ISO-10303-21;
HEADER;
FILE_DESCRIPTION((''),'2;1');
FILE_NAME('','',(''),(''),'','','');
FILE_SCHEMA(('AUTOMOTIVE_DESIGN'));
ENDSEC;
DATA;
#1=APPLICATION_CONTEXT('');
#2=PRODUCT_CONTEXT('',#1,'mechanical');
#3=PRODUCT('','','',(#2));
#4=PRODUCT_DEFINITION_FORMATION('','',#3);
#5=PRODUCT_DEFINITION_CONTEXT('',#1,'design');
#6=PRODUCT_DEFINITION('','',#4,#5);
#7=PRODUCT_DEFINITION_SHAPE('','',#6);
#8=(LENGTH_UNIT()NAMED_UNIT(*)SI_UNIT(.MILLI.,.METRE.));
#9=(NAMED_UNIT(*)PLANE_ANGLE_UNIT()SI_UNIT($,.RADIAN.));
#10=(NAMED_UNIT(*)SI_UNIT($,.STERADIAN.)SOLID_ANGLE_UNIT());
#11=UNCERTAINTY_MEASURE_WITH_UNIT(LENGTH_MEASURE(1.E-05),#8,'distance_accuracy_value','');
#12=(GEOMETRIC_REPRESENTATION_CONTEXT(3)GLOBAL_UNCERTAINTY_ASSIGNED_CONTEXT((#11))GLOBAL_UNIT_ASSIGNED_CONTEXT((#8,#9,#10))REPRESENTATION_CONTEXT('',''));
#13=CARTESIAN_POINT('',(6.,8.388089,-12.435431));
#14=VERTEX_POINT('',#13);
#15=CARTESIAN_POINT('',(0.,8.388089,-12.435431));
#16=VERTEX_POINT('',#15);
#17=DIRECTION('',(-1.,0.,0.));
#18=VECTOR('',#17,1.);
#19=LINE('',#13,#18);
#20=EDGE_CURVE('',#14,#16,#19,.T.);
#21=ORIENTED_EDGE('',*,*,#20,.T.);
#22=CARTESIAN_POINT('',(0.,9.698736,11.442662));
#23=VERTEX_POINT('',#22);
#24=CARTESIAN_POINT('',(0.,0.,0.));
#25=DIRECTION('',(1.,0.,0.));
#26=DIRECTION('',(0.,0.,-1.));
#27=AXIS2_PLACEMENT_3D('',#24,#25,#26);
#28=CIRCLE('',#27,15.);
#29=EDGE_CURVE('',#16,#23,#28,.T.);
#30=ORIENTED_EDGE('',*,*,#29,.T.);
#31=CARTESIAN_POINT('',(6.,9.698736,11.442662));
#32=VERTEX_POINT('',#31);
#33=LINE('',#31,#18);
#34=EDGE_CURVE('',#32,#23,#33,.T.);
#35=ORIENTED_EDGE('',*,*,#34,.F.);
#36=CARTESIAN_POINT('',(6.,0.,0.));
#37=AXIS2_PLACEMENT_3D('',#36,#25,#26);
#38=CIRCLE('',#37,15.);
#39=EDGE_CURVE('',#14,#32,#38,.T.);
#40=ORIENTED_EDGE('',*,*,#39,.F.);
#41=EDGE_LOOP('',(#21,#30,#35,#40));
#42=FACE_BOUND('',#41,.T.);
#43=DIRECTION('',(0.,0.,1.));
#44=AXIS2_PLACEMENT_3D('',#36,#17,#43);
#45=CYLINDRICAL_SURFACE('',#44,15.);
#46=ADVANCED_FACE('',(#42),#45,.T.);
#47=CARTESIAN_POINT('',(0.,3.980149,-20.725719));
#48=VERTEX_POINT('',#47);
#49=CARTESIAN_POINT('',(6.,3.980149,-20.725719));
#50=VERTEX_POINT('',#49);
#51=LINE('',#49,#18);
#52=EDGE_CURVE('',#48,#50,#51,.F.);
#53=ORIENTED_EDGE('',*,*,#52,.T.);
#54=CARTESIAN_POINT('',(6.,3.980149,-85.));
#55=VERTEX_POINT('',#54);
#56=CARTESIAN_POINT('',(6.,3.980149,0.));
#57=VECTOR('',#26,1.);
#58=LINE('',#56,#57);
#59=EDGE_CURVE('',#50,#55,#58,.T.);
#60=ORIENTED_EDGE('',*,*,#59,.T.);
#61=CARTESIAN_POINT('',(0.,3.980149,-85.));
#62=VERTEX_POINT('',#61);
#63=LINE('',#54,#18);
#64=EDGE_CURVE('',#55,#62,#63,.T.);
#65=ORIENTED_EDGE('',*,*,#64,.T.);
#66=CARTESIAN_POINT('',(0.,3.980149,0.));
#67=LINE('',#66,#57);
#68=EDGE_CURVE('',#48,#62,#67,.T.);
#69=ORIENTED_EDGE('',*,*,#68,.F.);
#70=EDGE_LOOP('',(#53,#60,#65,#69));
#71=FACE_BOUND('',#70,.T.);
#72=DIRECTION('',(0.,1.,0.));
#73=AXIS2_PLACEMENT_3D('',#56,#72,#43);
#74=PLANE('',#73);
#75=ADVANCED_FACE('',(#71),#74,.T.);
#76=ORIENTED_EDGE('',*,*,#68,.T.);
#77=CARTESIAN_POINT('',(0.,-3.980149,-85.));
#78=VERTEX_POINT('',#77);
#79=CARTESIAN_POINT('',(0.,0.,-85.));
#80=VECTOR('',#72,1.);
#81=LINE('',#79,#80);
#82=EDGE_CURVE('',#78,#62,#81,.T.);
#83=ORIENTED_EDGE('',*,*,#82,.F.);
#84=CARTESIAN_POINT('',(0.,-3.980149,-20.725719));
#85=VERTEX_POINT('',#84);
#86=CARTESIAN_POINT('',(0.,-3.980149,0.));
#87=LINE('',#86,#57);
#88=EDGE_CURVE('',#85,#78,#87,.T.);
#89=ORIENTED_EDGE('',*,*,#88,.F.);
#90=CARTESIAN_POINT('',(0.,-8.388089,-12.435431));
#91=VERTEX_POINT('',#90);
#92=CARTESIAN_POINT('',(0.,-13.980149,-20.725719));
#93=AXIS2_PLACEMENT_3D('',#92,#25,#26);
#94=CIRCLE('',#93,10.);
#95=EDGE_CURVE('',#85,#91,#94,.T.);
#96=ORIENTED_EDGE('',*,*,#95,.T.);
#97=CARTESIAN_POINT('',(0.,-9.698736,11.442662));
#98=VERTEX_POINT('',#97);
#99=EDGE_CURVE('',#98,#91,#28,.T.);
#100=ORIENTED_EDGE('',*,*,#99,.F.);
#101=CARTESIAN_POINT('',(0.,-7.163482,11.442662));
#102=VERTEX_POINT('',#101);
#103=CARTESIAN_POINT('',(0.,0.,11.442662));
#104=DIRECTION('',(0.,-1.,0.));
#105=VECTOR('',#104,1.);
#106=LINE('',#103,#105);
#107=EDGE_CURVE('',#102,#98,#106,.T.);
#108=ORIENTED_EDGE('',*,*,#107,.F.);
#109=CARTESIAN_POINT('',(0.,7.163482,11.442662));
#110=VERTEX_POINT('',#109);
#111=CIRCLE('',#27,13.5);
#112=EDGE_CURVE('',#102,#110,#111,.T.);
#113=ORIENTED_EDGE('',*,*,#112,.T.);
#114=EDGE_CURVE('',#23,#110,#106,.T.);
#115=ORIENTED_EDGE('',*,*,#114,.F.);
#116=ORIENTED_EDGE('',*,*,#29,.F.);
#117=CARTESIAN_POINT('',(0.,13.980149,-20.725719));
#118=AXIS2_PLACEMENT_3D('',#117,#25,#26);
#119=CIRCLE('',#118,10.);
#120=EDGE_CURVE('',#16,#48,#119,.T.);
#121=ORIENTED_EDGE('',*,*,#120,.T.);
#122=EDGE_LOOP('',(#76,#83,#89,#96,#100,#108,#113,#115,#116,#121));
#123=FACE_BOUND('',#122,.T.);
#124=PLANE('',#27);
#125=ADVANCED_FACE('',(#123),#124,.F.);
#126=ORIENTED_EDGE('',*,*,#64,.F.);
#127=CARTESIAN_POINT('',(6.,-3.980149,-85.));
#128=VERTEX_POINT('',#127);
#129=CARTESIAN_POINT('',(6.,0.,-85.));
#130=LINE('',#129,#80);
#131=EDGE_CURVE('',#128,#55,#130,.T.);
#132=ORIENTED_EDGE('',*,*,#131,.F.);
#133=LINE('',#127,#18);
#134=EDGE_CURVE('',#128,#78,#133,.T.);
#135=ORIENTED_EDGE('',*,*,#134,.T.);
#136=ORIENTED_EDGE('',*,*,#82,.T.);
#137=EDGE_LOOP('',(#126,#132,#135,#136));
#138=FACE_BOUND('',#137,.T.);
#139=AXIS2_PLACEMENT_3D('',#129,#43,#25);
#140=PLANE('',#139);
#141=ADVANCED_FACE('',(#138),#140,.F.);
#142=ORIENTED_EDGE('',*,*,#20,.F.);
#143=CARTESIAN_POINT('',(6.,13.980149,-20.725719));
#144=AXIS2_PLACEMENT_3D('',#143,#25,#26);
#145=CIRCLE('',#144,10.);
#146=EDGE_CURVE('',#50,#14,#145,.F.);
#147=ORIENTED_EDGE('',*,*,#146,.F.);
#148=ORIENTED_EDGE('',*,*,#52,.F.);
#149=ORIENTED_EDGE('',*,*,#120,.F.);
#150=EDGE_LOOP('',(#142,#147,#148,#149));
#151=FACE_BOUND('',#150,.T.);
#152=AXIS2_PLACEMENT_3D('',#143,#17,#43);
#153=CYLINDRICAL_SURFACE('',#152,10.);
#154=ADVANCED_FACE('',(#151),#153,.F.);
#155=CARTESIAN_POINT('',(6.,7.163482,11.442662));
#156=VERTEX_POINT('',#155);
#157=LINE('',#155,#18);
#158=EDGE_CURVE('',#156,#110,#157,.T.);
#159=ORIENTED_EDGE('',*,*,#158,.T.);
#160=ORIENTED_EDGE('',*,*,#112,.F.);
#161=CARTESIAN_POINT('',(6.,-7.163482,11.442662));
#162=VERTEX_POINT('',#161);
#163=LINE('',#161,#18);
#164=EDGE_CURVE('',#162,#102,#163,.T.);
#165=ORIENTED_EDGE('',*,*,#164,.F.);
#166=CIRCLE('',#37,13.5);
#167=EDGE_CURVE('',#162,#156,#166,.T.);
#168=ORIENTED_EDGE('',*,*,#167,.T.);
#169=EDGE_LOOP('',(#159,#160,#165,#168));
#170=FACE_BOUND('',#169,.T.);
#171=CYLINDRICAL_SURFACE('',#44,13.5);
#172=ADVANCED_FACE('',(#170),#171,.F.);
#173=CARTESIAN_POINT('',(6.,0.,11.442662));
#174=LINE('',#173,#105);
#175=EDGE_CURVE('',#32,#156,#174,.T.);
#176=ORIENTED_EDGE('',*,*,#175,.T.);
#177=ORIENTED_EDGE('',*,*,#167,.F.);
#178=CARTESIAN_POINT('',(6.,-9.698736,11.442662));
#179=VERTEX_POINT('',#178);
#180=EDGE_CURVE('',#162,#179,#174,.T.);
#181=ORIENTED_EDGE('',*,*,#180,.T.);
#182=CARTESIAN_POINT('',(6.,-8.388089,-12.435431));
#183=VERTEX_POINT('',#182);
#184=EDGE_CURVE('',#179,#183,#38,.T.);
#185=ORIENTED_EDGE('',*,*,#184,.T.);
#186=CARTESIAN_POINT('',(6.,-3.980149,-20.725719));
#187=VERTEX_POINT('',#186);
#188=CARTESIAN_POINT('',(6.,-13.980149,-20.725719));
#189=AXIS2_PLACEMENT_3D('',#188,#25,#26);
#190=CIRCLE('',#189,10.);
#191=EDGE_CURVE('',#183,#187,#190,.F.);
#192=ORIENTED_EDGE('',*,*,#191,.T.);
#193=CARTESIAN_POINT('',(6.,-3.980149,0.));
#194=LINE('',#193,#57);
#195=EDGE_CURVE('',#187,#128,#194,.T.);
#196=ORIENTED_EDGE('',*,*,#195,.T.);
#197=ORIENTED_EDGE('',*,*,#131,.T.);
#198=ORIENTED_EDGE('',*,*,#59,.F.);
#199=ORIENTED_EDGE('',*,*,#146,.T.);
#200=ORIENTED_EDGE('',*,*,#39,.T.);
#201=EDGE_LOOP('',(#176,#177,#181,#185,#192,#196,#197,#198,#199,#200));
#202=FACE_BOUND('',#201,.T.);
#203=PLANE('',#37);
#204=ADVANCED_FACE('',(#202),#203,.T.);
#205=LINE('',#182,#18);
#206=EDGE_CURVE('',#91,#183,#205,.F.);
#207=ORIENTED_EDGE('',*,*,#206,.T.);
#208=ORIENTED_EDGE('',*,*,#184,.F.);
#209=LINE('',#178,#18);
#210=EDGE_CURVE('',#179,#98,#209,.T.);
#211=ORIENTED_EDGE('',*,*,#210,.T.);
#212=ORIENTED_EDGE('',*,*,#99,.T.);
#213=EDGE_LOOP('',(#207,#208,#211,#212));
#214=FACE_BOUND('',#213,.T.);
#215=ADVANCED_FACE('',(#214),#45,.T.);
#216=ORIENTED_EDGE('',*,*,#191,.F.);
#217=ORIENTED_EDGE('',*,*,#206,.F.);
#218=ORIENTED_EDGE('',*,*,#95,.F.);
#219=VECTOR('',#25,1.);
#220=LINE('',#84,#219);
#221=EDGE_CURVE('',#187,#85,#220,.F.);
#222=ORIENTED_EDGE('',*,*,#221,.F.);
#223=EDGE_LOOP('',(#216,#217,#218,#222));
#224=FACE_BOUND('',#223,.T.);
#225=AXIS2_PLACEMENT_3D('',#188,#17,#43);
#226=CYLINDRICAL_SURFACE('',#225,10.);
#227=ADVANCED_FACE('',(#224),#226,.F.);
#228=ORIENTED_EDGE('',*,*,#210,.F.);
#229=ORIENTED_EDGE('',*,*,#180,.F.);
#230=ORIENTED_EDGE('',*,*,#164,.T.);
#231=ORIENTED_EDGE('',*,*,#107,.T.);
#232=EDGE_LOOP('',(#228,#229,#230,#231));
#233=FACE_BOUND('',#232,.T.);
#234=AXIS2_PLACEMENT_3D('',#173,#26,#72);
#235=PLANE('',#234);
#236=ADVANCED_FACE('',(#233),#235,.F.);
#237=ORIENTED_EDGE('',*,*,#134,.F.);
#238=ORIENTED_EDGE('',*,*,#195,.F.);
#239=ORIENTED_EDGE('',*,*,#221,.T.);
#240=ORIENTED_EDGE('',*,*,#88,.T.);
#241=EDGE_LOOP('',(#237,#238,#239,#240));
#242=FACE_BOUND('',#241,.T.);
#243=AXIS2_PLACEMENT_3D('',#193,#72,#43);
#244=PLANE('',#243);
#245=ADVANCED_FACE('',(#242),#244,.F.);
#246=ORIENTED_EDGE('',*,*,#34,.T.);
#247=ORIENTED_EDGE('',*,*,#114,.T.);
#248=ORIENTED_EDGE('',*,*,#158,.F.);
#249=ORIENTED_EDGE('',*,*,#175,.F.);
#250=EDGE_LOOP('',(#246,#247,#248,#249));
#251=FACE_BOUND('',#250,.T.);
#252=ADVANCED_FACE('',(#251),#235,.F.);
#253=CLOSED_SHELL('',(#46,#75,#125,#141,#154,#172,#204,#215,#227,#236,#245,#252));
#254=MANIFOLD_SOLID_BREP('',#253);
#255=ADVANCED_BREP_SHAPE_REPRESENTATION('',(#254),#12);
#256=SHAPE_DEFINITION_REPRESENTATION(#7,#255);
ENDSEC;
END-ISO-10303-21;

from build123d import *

# Parameters (mm, degrees)
BOSS_EXTRUDE1_DEPTH = 6
FILLET1_R           = 10


with BuildPart() as part:
    # Sketch1 → Boss-Extrude1 (new body)
    with BuildSketch(Plane(origin=(0, 0, 0), x_dir=(0, 0, -1), z_dir=(1, 0, 0))):
        with BuildLine():
            ThreePointArc((14.46231008, 3.980149137), (3.233438839, 14.647350384), (-11.442662362, 9.6987359))
            Line((-11.442662362, 9.6987359), (-11.442662362, 7.163482258))
            ThreePointArc((-11.442662362, 7.163482258), (13.5, 0), (-11.442662362, -7.163482258))
            Line((-11.442662362, -7.163482258), (-11.442662362, -9.6987359))
            ThreePointArc((-11.442662362, -9.6987359), (3.233438839, -14.647350384), (14.46231008, -3.980149137))
            Line((14.46231008, -3.980149137), (85, -3.980149137))
            Line((85, -3.980149137), (85, 3.980149137))
            Line((85, 3.980149137), (14.46231008, 3.980149137))
        make_face()
    extrude(amount=BOSS_EXTRUDE1_DEPTH)

    # Fillet1
    fillet1_edges = [part.edges().sort_by_distance(p)[0] for p in [
        (3, 3.980149137, -14.46231008),
        (3, -3.980149137, -14.46231008),
    ]]
    fillet(fillet1_edges, radius=FILLET1_R)


solid = part.part
